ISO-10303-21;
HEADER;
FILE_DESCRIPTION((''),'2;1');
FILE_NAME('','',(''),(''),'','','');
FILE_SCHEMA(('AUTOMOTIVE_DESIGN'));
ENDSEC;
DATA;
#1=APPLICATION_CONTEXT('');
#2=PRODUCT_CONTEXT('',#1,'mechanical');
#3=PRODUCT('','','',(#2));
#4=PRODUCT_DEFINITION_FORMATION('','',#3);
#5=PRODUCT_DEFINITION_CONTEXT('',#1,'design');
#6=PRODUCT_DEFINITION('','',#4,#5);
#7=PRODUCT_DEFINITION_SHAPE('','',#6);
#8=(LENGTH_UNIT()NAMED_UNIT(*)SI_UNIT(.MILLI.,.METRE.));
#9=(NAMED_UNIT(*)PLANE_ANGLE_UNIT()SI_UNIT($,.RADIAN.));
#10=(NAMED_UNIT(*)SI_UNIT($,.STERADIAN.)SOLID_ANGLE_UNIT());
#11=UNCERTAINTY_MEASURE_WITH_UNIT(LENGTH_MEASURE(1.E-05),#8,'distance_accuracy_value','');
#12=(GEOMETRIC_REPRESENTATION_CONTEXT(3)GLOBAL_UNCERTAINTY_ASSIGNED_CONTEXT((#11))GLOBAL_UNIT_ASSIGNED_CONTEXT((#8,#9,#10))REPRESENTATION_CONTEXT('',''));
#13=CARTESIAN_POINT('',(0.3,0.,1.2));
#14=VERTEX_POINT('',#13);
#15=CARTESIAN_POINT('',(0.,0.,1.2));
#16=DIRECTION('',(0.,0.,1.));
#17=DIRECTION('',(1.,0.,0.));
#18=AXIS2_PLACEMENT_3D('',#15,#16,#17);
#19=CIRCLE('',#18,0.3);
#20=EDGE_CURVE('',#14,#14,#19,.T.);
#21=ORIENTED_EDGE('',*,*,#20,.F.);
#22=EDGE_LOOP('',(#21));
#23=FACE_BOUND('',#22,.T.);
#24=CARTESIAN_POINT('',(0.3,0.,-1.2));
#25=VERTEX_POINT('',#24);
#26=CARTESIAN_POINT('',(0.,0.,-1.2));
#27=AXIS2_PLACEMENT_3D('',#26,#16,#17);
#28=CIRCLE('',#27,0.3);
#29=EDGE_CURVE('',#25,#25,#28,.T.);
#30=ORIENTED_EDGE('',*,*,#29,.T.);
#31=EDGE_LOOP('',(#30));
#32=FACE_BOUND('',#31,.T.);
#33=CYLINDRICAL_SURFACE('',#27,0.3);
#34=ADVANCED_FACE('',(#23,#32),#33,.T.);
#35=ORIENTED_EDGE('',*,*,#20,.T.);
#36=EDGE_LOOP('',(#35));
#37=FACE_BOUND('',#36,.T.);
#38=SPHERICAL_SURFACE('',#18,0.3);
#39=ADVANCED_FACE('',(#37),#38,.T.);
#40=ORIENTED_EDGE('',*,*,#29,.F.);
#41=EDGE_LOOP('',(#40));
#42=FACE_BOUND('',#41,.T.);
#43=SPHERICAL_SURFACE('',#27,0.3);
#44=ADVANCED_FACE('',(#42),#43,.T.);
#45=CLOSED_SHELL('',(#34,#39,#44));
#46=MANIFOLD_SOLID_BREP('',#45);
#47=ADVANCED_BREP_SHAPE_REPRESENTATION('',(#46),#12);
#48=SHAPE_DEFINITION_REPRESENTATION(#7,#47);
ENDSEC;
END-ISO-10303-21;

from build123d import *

# Parameters (mm, degrees)
BASES_R               = 0.3
BASE_DEPTH            = 1.2
FRONTDOME_FACE_RADIUS = 0.3
FRONTDOME_HEIGHT      = 0.3
REARDOME_FACE_RADIUS  = 0.3
REARDOME_HEIGHT       = 0.3


with BuildPart() as part:
    # BaseS → Base (new, symmetric)
    with BuildSketch(Plane.XY):
        Circle(BASES_R)
    extrude(amount=BASE_DEPTH, both=True)

    # FrontDome: a dome of height H over a round flat face of radius A is a cap of a sphere of radius (A * A + H * H) / (2 * H)
    frontdome_r = (FRONTDOME_FACE_RADIUS * FRONTDOME_FACE_RADIUS + FRONTDOME_HEIGHT * FRONTDOME_HEIGHT) / (2 * FRONTDOME_HEIGHT)
    frontdome_base = Plane((0, 0, 1.2), z_dir=(0, 0, 1))
    with Locations(frontdome_base.offset(FRONTDOME_HEIGHT - frontdome_r)):
        frontdome_ball = Sphere(frontdome_r, mode=Mode.PRIVATE)
    add(split(frontdome_ball, bisect_by=frontdome_base, keep=Keep.TOP, mode=Mode.PRIVATE))

    # RearDome: a dome of height H over a round flat face of radius A is a cap of a sphere of radius (A * A + H * H) / (2 * H)
    reardome_r = (REARDOME_FACE_RADIUS * REARDOME_FACE_RADIUS + REARDOME_HEIGHT * REARDOME_HEIGHT) / (2 * REARDOME_HEIGHT)
    reardome_base = Plane((0, 0, -1.2), z_dir=(0, 0, -1))
    with Locations(reardome_base.offset(REARDOME_HEIGHT - reardome_r)):
        reardome_ball = Sphere(reardome_r, mode=Mode.PRIVATE)
    add(split(reardome_ball, bisect_by=reardome_base, keep=Keep.TOP, mode=Mode.PRIVATE))


solid = part.part
